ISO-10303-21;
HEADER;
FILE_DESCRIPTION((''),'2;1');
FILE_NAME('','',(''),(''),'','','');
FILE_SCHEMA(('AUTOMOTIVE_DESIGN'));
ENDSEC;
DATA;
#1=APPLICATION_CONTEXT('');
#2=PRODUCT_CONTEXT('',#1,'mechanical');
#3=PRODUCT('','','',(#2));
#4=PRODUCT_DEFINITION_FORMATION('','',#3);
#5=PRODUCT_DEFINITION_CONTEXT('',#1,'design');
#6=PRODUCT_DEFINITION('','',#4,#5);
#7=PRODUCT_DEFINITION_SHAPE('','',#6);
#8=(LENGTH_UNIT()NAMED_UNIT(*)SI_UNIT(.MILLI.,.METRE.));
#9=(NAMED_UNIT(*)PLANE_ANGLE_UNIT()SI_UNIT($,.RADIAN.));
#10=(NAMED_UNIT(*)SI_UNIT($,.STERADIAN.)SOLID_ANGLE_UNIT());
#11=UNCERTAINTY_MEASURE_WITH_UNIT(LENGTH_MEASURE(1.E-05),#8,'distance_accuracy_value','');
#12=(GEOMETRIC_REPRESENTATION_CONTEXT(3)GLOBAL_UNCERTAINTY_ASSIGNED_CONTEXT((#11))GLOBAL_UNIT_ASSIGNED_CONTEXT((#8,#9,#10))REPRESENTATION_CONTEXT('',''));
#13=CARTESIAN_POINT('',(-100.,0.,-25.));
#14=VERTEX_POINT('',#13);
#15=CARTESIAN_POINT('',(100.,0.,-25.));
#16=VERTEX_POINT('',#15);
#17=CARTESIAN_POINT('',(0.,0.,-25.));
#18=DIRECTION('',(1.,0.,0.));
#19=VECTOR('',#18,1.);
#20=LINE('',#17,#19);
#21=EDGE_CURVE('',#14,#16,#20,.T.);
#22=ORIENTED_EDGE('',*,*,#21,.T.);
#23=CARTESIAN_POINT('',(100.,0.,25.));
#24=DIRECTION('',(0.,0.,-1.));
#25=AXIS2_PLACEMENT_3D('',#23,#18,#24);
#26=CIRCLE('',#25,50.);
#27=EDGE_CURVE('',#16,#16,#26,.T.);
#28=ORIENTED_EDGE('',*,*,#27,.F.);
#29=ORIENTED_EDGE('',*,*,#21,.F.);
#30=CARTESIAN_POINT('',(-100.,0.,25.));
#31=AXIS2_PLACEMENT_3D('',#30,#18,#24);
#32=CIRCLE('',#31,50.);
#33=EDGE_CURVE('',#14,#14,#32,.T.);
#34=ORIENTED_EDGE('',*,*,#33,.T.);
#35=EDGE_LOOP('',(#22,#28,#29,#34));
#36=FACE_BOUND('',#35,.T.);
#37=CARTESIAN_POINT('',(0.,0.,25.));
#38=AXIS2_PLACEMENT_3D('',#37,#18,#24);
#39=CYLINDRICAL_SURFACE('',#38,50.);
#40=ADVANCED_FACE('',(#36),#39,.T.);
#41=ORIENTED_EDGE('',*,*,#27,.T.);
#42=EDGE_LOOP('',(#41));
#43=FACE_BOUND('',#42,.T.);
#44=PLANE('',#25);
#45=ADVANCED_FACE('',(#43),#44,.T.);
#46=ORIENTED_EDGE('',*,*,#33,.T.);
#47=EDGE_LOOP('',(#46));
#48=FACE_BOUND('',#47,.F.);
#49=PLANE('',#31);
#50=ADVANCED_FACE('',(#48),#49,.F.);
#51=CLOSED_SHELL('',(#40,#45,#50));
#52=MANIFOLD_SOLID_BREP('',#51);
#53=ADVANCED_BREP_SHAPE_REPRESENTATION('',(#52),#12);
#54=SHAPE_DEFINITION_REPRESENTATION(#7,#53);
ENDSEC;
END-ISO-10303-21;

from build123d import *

# Parameters (mm, degrees)
F0_W = 200
F0_H = 50


with BuildPart() as f1:
    # F0 (on Front) → F1 (revolve)
    with BuildSketch(Plane.XZ):
        Rectangle(F0_W, F0_H)
    revolve(axis=Axis((0, 0, 25), (1, 0, 0)))


solid = f1.part
